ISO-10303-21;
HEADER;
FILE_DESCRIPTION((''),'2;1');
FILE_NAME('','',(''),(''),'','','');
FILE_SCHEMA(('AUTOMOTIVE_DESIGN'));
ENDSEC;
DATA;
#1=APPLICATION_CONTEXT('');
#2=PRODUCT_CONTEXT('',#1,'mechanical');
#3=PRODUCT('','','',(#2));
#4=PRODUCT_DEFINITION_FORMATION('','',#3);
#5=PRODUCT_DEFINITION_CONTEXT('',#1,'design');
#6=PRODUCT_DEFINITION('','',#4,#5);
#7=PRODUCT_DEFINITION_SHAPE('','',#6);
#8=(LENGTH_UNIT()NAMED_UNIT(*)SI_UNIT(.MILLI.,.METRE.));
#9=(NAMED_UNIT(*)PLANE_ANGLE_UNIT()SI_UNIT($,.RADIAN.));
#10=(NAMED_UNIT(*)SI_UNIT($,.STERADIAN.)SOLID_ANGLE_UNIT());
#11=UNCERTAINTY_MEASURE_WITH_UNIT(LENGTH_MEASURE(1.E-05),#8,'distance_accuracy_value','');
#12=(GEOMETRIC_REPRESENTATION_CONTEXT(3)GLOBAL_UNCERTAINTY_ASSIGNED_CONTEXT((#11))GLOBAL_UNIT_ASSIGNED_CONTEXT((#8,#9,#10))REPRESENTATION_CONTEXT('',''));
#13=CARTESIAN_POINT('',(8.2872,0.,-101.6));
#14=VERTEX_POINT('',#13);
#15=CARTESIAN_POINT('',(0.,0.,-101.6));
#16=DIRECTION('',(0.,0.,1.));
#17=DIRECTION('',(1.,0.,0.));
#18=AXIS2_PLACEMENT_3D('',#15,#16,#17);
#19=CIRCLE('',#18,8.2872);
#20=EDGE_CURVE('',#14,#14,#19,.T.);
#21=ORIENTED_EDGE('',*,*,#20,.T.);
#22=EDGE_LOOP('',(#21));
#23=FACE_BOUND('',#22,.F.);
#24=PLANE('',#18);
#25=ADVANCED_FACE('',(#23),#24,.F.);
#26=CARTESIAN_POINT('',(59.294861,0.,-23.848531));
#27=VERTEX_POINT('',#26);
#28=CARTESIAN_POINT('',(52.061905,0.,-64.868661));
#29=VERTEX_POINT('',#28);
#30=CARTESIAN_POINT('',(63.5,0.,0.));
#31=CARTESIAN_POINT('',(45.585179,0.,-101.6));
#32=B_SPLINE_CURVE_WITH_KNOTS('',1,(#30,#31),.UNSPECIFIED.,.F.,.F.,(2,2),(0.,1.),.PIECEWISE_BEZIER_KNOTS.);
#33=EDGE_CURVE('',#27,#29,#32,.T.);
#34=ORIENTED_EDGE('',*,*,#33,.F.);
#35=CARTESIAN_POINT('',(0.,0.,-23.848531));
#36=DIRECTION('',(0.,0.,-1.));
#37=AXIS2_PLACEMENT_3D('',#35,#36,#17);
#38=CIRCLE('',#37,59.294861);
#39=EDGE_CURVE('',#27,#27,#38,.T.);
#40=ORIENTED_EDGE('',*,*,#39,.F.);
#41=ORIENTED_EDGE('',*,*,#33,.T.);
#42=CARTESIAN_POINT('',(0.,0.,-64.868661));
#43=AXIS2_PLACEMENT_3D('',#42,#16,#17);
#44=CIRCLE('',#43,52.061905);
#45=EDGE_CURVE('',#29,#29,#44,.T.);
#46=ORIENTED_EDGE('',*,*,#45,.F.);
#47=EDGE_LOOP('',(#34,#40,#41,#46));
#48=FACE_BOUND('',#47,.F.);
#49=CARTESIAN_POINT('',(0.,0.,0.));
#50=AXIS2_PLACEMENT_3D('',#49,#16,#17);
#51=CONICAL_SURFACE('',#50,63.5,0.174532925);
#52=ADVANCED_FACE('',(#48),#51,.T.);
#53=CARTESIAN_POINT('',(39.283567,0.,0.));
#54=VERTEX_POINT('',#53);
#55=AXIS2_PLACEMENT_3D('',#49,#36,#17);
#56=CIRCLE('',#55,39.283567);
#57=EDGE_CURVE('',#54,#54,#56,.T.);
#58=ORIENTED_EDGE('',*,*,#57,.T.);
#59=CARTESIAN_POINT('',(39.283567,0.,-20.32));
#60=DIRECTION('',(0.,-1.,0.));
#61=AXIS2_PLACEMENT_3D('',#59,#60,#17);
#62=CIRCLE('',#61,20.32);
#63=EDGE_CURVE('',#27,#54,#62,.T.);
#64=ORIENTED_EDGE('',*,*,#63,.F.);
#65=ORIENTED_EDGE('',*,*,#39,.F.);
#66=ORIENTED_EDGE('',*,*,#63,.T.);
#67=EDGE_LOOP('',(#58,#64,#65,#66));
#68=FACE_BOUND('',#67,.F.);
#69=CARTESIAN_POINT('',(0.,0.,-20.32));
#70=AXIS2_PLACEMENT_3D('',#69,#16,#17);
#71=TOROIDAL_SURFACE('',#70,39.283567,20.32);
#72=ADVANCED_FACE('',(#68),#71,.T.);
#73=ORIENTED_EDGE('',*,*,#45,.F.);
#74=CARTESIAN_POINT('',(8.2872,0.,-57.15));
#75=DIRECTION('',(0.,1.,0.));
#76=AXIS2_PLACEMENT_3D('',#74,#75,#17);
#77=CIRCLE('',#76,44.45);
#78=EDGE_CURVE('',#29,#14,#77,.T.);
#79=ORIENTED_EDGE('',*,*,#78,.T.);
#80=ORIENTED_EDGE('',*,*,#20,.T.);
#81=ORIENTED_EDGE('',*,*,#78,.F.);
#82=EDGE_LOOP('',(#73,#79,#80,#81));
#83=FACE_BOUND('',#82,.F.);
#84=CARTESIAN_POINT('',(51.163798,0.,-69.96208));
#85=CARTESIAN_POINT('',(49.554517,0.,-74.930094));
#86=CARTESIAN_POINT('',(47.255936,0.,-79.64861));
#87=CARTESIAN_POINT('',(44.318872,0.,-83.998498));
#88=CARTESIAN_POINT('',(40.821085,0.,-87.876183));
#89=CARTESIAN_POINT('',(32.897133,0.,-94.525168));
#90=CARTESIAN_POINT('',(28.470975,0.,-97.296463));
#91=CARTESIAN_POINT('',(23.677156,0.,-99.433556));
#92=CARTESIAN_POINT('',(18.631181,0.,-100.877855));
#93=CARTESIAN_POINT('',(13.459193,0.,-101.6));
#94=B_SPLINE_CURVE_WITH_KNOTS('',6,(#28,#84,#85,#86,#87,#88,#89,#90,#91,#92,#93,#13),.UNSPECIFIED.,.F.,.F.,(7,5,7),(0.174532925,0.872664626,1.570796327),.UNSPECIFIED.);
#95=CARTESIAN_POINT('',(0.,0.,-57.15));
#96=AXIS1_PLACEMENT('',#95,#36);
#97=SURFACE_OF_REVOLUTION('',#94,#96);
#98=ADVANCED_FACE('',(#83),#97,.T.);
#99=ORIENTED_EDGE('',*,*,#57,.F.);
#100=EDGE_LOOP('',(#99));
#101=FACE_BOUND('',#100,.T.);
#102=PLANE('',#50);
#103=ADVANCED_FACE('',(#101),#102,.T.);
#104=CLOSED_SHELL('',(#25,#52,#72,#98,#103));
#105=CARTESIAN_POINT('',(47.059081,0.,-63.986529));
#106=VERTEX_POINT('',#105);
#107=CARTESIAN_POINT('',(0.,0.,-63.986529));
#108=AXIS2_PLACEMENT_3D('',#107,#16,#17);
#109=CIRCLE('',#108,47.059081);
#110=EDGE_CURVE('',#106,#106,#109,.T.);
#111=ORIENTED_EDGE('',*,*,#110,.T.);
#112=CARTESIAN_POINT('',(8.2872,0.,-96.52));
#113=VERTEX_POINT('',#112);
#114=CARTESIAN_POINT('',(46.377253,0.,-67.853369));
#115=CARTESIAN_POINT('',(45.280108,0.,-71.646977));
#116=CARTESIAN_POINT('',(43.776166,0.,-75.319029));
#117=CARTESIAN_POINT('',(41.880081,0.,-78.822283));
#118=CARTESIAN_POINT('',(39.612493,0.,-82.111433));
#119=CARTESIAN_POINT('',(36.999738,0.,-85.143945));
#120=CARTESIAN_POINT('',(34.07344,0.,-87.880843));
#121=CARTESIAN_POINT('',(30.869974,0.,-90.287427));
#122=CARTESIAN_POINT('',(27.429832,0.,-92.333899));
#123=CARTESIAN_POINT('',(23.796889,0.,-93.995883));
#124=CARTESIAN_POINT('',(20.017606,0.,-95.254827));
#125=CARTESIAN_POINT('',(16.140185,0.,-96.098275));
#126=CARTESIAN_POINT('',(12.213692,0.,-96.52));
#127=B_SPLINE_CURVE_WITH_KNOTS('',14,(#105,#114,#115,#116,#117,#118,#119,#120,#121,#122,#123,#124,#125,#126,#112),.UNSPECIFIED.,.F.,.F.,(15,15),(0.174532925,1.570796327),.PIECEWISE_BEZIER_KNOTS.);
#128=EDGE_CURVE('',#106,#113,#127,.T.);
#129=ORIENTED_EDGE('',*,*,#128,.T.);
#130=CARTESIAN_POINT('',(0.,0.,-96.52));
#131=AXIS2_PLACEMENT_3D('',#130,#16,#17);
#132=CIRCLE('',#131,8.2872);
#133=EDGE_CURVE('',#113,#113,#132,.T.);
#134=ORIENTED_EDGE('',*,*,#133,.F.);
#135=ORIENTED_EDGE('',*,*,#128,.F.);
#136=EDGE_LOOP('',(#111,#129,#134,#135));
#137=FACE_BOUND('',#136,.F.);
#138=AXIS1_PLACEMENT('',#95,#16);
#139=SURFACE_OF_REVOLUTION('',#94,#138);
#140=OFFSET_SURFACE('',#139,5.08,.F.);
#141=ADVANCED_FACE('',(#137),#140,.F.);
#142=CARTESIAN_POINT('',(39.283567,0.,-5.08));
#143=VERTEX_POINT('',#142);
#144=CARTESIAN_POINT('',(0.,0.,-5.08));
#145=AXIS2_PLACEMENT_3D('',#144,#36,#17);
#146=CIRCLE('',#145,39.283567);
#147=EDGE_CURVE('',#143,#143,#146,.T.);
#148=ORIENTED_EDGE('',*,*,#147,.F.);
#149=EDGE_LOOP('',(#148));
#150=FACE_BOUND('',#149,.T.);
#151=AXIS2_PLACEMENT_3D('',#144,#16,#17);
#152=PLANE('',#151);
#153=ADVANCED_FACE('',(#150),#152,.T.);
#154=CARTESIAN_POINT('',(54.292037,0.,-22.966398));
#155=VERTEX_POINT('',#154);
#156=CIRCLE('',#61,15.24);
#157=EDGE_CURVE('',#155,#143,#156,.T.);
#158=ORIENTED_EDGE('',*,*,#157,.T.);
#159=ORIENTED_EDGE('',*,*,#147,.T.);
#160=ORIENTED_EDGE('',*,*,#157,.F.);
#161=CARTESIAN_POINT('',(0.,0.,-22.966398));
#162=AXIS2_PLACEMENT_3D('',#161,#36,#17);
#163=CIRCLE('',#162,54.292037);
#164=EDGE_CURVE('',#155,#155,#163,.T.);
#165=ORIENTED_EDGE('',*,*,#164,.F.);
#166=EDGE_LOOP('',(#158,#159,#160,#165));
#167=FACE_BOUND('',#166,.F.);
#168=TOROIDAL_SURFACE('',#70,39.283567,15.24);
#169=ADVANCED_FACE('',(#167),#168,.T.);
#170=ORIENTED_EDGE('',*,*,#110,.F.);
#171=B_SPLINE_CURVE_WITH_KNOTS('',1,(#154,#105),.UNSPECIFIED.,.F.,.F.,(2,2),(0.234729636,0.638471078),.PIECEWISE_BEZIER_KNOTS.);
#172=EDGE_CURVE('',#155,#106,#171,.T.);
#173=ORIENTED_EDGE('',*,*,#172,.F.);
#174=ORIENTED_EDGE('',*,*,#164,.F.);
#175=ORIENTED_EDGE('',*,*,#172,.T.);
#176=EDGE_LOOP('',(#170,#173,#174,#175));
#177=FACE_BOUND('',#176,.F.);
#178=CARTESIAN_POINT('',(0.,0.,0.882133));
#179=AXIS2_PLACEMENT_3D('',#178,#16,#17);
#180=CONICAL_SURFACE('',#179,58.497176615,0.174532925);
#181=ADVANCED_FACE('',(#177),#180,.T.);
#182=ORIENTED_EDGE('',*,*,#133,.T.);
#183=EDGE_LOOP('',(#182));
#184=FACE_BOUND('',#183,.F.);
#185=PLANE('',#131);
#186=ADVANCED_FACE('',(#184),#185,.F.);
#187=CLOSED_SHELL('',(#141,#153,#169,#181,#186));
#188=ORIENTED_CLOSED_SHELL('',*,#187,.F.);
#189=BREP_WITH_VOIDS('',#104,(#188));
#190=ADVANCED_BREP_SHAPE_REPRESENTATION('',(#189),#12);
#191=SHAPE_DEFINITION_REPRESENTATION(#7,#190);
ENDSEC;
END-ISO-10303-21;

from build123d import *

# Parameters (mm, degrees)
F0_R     = 63.5
F1_DEPTH = 101.6
F1_TAPER = 10
F2_R     = 44.45
F3_R     = 20.32
F4_T     = -5.08


with BuildPart() as f1:
    # F0 (on Top) → F1 (new body)
    with BuildSketch(Plane.XY):
        Circle(F0_R)
    extrude(amount=-F1_DEPTH, taper=F1_TAPER)

    # F2
    f2_edges = [f1.edges().sort_by_distance(p)[0] for p in [
        (-45.585179, 0, -101.6),
    ]]
    fillet(f2_edges, radius=F2_R)

    # F3
    f3_edges = [f1.edges().sort_by_distance(p)[0] for p in [
        (-63.5, 0, 0),
    ]]
    fillet(f3_edges, radius=F3_R)

    # F4 (hollow: no face is removed)
    offset(amount=F4_T, mode=Mode.SUBTRACT)


solid = f1.part
